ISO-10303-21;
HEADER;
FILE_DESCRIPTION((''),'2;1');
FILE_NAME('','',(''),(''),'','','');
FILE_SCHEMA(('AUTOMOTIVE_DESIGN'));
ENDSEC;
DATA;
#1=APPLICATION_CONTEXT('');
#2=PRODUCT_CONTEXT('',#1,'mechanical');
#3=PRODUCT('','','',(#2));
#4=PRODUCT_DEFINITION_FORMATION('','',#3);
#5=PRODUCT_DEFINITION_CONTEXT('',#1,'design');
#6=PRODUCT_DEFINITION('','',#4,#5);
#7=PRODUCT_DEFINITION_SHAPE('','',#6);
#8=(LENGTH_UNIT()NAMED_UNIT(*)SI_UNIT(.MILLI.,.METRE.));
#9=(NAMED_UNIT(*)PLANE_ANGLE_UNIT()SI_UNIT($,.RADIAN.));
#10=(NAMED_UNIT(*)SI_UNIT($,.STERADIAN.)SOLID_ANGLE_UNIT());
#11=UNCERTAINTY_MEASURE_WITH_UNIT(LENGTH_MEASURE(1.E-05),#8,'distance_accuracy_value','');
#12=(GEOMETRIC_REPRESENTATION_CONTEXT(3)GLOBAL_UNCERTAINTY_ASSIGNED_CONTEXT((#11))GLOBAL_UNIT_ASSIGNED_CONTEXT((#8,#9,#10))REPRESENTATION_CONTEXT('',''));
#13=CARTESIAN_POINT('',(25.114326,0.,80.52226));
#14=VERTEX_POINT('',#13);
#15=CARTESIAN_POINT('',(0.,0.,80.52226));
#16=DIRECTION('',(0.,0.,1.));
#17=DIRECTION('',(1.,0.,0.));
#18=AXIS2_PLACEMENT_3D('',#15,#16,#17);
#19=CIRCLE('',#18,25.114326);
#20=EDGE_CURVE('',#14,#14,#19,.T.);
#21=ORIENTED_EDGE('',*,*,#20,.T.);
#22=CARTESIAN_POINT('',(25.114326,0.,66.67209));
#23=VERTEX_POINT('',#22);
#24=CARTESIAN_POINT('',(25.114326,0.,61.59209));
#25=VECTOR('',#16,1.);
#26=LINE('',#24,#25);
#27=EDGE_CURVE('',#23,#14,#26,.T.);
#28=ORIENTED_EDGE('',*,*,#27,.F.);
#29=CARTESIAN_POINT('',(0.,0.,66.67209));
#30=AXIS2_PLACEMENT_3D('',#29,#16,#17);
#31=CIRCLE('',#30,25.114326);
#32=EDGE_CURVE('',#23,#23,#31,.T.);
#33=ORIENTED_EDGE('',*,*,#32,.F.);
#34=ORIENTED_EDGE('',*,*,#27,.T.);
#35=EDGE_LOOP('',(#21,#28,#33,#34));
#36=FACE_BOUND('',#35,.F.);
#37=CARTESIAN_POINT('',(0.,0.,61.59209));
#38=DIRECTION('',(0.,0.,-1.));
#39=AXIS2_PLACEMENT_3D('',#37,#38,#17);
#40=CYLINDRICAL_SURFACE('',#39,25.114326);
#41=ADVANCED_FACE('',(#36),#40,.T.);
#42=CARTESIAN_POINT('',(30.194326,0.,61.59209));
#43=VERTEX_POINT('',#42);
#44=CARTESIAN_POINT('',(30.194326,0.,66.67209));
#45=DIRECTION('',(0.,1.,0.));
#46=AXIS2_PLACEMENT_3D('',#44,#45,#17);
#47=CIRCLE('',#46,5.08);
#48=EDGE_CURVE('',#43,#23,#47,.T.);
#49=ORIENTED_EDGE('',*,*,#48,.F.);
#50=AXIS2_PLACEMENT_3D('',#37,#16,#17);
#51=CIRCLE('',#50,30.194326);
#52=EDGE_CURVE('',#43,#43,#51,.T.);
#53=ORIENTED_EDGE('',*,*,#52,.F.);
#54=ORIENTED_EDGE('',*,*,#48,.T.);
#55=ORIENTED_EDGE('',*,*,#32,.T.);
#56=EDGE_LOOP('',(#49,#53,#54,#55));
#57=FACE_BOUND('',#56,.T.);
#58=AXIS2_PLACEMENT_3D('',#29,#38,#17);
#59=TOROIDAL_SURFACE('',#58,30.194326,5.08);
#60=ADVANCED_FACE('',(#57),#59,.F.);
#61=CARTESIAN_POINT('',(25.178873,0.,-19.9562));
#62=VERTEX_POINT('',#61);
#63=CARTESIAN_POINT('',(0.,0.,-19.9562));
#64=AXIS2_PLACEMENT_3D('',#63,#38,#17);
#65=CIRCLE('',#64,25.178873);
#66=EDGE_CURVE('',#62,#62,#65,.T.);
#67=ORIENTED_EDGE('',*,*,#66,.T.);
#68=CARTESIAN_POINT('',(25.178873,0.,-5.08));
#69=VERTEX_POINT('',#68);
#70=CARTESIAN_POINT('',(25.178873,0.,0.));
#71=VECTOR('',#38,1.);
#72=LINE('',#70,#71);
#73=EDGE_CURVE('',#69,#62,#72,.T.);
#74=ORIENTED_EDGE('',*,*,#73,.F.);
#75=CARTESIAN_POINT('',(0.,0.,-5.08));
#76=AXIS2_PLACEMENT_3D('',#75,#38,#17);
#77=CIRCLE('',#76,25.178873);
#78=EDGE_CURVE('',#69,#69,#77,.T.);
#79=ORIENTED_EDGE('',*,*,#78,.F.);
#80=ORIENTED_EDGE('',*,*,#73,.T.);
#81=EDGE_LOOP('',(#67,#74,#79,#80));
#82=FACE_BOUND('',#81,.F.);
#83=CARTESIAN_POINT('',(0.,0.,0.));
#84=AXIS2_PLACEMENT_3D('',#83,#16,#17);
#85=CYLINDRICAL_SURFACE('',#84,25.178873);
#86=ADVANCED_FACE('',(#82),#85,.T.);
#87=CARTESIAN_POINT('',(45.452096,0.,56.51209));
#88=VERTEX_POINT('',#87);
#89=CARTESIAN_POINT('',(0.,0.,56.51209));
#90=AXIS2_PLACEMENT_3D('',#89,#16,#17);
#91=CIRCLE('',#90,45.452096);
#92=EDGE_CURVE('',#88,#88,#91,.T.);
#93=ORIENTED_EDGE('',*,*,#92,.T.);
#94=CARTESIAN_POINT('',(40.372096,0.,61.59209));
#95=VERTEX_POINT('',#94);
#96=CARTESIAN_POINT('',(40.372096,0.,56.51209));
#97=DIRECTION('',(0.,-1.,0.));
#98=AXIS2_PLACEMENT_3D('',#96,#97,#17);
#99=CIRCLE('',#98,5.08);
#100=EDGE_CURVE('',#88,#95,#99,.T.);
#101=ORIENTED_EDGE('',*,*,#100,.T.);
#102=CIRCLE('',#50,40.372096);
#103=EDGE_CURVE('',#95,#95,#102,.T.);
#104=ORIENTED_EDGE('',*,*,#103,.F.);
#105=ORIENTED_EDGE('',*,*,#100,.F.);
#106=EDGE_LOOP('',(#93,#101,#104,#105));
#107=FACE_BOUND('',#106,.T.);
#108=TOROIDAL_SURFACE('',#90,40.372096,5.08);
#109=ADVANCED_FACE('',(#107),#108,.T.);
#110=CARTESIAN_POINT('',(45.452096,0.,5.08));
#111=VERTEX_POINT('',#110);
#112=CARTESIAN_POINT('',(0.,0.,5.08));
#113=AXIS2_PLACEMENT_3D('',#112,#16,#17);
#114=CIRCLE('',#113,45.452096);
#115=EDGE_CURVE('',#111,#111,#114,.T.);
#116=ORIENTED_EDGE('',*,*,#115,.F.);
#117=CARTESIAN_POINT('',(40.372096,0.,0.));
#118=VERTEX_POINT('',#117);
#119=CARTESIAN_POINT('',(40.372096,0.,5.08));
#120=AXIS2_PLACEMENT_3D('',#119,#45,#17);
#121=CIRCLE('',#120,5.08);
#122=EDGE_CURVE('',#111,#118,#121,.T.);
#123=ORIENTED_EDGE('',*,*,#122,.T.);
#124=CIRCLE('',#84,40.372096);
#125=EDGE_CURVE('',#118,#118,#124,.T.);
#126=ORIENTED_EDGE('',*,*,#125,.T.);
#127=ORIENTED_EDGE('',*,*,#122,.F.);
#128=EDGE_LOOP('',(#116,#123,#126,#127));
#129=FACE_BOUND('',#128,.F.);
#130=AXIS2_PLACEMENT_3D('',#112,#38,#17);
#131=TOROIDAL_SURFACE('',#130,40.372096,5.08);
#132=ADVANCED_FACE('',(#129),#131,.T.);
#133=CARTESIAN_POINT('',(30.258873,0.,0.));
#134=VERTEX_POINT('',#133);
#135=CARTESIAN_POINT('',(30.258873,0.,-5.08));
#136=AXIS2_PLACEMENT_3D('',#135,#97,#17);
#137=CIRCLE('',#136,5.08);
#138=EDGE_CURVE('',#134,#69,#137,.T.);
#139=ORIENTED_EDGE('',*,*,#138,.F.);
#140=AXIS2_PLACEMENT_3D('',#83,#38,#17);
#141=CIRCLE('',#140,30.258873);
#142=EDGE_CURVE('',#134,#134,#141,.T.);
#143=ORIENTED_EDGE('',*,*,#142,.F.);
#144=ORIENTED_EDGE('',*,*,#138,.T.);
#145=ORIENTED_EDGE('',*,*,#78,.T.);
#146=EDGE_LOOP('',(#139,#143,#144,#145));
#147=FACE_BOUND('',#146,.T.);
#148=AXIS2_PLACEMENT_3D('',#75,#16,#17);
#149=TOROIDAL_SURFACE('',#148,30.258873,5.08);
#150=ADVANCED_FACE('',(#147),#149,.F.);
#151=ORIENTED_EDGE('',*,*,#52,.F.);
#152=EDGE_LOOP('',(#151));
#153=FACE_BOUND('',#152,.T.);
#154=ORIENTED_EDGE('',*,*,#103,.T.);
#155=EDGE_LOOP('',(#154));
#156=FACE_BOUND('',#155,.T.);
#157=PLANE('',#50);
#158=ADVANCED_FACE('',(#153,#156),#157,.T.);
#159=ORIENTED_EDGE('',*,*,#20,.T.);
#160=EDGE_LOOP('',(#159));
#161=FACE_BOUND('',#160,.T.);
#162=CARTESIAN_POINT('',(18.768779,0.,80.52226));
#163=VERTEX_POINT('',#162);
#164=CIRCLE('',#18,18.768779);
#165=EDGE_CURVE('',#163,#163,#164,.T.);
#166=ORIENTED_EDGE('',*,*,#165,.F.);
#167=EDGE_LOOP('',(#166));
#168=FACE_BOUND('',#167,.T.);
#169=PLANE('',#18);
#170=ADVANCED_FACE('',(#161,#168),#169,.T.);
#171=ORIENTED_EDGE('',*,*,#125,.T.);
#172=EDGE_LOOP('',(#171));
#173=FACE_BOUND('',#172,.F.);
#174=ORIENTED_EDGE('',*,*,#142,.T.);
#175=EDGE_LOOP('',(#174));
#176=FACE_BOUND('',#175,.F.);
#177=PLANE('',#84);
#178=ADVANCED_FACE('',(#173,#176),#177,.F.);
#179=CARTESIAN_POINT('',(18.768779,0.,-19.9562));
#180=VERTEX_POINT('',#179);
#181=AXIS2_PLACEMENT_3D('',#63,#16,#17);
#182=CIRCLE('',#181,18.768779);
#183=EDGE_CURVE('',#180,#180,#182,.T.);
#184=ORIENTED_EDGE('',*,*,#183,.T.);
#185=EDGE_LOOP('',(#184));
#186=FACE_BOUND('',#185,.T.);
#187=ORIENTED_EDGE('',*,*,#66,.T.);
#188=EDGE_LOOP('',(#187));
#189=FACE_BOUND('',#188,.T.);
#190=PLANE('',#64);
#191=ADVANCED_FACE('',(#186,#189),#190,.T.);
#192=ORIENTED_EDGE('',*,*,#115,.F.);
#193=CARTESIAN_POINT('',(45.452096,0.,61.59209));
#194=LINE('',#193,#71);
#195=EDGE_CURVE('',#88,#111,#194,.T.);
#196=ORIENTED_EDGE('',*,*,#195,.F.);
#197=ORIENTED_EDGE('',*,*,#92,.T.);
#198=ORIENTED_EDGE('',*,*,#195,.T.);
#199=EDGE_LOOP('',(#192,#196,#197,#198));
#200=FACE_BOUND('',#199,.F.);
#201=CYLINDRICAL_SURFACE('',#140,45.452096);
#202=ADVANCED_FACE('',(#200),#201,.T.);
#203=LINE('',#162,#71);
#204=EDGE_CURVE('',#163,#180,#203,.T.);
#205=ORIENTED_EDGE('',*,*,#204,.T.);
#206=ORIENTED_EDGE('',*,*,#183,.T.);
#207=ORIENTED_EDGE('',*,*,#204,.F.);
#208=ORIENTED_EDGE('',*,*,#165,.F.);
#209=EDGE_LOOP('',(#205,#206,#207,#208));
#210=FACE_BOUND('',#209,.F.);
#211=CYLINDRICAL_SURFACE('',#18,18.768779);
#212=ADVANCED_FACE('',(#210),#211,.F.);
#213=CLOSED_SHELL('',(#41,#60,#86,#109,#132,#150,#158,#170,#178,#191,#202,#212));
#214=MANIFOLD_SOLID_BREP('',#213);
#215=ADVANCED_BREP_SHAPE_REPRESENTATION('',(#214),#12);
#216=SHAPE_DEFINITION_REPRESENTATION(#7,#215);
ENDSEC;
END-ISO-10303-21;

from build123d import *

# Parameters (mm, degrees)
F0_R       = 45.4520962522
F1_DEPTH   = 61.59209
F2_R       = 25.1143263765
F1_FACE1_R = 45.4520962522
F3_DEPTH   = 18.93017
F4_R       = 25.1788729995
F5_DEPTH   = 19.9562
F6_R       = 5.08
F7_R       = 18.7687787906
F8_DEPTH   = 284.89901


with BuildPart() as f1:
    # F0 (on Top) → F1 (new body)
    with BuildSketch(Plane.XY):
        Circle(F0_R)
    extrude(amount=F1_DEPTH)

    # F2 (on face) + F1_face1 (on face) → F3 (join)
    with BuildSketch(Plane.XY.offset(61.59209)):
        Circle(F2_R)
    with BuildSketch(Plane(origin=(0, 0, 0), x_dir=(1, 0, 0), z_dir=(0, 0, -1))):
        Circle(F1_FACE1_R)
    extrude(amount=F3_DEPTH, dir=(0, 0, 1))

    # F4 (on face) → F5 (join)
    with BuildSketch(Plane(origin=(0, 0, 0), x_dir=(1, 0, 0), z_dir=(0, 0, -1))):
        Circle(F4_R)
    extrude(amount=F5_DEPTH)

    # F6
    f6_edges = [f1.edges().sort_by_distance(p)[0] for p in [
        (-45.452096, 0, 0),
        (45.452096, 0, 30.796045),
        (-45.452096, 0, 61.59209),
        (-25.114326, 0, 61.59209),
        (-25.178873, 0, 0),
    ]]
    fillet(f6_edges, radius=F6_R)

    # F7 (on face) → F8 (cut)
    with BuildSketch(Plane.XY.offset(80.52226)):
        Circle(F7_R)
    extrude(amount=-F8_DEPTH, mode=Mode.SUBTRACT)


solid = f1.part
